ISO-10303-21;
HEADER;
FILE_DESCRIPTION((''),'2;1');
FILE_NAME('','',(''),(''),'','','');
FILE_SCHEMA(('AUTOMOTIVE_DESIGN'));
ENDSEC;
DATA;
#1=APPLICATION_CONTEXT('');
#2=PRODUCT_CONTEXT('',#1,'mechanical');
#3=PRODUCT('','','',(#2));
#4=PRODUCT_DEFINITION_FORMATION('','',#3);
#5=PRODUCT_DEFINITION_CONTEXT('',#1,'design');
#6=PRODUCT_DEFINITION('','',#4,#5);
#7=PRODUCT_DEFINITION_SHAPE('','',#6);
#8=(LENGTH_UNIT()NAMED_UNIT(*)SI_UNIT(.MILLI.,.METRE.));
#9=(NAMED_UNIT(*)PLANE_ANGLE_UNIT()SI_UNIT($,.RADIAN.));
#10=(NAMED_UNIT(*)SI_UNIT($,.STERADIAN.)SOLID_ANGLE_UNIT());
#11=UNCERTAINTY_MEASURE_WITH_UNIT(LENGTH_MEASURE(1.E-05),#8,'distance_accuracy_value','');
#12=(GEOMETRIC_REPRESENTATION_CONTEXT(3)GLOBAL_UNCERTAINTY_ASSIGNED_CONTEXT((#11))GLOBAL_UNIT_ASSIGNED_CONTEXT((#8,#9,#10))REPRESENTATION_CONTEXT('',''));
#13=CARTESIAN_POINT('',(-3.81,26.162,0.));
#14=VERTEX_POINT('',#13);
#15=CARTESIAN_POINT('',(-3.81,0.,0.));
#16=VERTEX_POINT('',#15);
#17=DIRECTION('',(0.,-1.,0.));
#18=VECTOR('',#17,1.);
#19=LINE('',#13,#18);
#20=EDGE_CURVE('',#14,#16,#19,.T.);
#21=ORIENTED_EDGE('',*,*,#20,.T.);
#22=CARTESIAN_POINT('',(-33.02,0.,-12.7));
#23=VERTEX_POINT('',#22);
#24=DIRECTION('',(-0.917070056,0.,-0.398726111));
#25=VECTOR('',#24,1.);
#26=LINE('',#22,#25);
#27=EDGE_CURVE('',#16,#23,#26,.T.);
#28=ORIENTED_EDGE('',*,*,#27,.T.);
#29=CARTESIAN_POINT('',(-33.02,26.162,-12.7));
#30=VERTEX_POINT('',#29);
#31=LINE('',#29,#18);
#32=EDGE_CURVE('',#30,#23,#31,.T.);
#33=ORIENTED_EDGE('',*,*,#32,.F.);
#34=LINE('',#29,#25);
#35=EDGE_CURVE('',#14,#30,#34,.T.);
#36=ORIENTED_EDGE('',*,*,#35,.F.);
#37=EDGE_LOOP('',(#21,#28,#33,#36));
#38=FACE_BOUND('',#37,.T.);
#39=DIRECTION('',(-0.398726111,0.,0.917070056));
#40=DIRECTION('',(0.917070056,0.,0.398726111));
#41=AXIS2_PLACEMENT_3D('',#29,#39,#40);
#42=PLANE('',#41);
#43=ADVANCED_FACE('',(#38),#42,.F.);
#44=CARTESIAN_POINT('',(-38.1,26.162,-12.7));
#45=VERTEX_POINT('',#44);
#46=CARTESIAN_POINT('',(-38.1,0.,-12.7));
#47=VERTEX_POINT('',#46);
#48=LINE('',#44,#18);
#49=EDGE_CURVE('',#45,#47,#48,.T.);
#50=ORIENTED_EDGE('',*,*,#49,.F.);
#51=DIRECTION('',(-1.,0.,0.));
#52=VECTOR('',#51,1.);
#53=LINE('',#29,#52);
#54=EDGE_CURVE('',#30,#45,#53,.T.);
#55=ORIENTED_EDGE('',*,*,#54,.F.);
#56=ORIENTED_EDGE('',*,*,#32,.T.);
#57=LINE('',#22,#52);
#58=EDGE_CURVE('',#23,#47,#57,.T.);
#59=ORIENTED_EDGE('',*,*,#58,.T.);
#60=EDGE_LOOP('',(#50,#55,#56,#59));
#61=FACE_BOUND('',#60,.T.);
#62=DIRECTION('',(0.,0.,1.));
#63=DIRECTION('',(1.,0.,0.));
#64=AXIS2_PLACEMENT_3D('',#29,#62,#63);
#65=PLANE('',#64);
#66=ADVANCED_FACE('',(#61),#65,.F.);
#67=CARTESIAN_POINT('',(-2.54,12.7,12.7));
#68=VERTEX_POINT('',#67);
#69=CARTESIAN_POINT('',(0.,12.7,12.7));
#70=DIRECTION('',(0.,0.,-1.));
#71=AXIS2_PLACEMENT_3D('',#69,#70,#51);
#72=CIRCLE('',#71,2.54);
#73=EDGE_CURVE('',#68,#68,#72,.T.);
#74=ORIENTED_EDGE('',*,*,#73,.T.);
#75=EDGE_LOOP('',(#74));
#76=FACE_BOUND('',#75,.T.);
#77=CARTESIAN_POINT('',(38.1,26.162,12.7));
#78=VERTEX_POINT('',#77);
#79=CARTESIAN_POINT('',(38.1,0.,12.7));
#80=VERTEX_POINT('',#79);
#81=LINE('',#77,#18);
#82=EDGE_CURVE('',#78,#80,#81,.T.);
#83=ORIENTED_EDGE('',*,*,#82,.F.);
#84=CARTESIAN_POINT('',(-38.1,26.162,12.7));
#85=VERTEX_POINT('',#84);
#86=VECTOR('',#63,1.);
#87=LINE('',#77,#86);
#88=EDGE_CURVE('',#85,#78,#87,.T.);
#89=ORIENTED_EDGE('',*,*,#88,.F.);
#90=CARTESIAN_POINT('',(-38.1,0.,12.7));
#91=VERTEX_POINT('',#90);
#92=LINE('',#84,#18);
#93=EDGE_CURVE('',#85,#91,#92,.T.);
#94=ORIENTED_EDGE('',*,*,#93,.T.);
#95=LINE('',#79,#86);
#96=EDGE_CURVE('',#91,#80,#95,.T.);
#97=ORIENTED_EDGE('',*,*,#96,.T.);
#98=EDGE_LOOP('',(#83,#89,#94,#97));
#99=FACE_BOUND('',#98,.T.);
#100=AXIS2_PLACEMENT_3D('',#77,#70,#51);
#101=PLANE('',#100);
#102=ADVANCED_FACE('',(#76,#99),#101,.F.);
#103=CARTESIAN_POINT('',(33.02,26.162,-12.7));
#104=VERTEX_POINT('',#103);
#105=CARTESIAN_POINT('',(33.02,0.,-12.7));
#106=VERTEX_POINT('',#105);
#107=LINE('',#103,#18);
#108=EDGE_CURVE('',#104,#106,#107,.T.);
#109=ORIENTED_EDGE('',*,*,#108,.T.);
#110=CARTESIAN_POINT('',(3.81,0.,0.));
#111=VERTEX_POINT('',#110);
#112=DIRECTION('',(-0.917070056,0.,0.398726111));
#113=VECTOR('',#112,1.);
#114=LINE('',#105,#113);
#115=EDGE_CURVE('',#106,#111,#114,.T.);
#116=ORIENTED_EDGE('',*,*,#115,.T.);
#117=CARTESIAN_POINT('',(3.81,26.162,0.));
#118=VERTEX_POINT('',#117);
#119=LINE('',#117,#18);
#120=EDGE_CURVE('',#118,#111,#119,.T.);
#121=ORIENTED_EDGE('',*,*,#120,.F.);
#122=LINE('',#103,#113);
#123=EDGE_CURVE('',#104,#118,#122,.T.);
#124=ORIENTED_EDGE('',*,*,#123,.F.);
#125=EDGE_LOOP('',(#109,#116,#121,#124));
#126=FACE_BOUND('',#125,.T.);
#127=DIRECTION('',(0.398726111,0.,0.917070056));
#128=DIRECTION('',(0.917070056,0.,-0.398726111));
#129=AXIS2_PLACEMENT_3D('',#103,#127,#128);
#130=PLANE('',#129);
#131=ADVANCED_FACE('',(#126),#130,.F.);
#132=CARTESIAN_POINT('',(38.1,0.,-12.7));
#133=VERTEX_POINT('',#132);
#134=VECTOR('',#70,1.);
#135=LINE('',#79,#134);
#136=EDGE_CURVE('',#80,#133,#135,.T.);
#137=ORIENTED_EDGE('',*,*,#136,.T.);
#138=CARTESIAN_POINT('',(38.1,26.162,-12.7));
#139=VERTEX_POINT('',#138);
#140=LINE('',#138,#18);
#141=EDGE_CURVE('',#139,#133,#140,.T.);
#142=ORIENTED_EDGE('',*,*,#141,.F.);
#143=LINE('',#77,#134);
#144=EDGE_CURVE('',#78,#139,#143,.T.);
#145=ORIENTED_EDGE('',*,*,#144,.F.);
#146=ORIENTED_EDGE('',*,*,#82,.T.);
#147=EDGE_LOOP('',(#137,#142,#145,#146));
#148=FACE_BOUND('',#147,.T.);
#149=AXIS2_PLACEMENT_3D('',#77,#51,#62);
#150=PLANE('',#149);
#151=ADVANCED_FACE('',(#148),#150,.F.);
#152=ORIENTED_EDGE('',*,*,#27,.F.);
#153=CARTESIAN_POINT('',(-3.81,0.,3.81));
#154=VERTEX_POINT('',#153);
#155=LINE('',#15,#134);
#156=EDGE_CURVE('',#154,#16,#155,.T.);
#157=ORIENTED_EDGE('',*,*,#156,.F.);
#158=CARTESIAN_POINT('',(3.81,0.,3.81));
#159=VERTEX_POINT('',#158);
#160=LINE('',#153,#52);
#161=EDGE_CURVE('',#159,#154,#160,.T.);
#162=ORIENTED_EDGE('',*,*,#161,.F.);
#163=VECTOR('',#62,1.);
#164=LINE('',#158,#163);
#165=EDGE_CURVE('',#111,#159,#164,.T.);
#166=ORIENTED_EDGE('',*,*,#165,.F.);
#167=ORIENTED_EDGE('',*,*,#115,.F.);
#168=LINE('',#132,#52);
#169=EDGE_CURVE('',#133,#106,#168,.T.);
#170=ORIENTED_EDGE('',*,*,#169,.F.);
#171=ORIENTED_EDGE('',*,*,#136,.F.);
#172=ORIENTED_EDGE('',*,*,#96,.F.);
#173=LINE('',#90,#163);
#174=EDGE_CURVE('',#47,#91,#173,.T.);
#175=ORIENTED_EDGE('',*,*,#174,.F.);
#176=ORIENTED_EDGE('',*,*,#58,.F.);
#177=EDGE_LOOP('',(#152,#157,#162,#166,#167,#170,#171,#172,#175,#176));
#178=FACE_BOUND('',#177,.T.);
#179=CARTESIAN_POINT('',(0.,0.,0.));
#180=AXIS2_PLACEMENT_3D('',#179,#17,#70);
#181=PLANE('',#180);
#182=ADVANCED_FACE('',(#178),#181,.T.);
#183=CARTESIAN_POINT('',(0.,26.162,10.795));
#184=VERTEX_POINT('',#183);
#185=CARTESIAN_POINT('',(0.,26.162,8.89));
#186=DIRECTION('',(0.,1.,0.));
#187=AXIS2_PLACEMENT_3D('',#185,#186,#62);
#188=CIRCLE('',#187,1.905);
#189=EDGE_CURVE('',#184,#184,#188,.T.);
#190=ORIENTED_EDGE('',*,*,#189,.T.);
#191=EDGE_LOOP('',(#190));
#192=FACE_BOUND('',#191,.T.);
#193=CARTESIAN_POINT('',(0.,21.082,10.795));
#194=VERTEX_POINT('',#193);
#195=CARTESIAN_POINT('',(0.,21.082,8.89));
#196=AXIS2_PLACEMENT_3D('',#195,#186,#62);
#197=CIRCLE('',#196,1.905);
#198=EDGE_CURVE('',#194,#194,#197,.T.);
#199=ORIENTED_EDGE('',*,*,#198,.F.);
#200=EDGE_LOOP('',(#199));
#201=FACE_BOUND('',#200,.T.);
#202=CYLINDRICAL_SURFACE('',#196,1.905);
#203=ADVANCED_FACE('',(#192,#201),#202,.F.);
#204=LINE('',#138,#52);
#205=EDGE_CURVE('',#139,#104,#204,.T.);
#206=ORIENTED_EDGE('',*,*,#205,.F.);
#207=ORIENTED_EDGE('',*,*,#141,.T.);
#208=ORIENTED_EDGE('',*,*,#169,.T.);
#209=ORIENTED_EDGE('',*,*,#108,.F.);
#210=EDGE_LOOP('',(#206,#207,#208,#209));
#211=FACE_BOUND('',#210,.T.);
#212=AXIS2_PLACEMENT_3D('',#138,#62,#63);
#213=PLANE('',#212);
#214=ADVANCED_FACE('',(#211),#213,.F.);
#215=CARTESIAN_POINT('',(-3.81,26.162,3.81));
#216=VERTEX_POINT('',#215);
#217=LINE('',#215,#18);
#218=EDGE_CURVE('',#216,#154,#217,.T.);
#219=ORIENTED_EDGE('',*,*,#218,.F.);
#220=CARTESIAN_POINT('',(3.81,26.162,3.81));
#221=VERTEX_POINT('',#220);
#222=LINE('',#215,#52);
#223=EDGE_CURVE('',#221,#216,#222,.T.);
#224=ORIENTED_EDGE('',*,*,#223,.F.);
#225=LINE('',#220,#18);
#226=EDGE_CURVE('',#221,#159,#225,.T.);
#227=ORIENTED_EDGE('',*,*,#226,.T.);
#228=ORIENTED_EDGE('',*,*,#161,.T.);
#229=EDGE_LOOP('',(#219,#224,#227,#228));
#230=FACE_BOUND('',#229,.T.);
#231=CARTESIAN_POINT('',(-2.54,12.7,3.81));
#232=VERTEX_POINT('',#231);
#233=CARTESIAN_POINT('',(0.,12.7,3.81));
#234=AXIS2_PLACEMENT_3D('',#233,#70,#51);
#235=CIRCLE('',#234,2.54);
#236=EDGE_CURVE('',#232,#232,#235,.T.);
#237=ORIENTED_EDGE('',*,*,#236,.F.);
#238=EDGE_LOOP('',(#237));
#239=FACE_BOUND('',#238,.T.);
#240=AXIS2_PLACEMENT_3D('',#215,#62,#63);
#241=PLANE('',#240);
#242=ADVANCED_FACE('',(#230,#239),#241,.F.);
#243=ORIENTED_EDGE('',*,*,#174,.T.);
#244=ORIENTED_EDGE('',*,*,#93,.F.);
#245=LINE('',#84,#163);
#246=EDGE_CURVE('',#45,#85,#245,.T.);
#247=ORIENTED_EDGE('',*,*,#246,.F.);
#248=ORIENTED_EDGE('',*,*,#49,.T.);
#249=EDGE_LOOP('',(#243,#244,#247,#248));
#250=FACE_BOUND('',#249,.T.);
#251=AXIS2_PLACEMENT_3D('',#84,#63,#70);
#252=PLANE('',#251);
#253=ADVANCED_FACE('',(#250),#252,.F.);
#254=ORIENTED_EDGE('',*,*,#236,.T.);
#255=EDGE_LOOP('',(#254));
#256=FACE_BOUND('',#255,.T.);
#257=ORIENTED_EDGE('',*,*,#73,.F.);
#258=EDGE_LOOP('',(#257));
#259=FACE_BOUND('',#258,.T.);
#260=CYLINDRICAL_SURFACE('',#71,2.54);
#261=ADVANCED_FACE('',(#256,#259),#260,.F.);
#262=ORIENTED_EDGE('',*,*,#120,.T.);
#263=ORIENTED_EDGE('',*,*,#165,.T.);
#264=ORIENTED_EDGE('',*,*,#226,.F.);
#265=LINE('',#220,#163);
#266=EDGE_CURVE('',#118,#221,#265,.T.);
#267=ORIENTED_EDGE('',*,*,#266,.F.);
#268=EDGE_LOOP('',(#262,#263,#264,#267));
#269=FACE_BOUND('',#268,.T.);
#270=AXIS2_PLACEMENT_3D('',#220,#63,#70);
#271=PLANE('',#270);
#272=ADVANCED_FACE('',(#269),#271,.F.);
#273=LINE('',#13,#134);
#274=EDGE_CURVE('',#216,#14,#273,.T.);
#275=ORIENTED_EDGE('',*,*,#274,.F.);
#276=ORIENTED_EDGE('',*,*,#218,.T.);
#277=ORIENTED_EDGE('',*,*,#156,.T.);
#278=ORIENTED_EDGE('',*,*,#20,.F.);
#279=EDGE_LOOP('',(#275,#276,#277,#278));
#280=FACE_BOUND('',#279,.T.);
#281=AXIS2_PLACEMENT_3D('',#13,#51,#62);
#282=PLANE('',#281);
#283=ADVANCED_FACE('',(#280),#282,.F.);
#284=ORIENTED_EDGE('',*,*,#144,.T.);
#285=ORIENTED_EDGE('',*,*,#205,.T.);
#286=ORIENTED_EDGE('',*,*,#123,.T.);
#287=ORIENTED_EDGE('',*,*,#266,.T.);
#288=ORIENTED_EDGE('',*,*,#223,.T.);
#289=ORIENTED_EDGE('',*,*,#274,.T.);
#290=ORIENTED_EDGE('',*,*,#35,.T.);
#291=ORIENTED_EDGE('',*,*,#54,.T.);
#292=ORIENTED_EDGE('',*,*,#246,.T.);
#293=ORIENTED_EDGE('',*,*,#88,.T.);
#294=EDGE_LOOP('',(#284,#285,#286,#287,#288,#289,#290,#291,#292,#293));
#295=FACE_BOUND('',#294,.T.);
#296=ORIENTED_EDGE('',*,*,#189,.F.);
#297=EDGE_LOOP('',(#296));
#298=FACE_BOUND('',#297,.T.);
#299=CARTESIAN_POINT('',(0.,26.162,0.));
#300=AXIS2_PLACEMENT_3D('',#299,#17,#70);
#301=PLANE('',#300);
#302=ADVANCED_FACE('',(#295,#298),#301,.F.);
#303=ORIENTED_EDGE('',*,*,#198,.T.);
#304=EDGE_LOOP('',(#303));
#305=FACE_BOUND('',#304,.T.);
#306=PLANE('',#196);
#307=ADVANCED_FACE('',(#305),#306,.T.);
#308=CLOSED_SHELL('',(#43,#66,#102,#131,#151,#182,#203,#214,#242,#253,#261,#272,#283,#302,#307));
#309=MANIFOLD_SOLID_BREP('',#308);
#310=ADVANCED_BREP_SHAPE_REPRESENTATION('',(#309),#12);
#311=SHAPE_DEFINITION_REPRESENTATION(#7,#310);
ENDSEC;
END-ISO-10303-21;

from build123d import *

# Parameters (mm, degrees)
BOSS_EXTRUDE1_DEPTH = 26.162
SKETCH3_R           = 1.905
CUT_EXTRUDE2_DEPTH  = 5.08
SKETCH2_R           = 2.54
CUT_EXTRUDE3_DEPTH  = 50.07790077


with BuildPart() as part:
    # Sketch1 → Boss-Extrude1 (new body)
    with BuildSketch(Plane(origin=(0, 0, 0), x_dir=(1, 0, 0), z_dir=(0, 1, 0))):
        Polygon((38.1, -12.7), (-38.1, -12.7), (-38.1, 12.7), (-33.02, 12.7), (-3.81, 0), (-3.81, -3.81), (3.81, -3.81), (3.81, 0), (33.02, 12.7), (38.1, 12.7), align=None)
    extrude(amount=BOSS_EXTRUDE1_DEPTH)

    # Sketch3 → Cut-Extrude2 (cut)
    with BuildSketch(Plane(origin=(0, 26.162, 0), x_dir=(1, 0, 0), z_dir=(0, 1, 0))):
        with Locations(Location((0, -8.89, 0), (0, 0, 270))):
            Circle(SKETCH3_R)
    extrude(amount=-CUT_EXTRUDE2_DEPTH, mode=Mode.SUBTRACT)

    # Sketch2 → Cut-Extrude3 (cut, through all)
    with BuildSketch(Plane(origin=(0, 0, 3.81), x_dir=(-1, 0, 0), z_dir=(0, 0, -1))):
        with Locations((0, 12.7)):
            Circle(SKETCH2_R)
    extrude(amount=-CUT_EXTRUDE3_DEPTH, mode=Mode.SUBTRACT)


solid = part.part
